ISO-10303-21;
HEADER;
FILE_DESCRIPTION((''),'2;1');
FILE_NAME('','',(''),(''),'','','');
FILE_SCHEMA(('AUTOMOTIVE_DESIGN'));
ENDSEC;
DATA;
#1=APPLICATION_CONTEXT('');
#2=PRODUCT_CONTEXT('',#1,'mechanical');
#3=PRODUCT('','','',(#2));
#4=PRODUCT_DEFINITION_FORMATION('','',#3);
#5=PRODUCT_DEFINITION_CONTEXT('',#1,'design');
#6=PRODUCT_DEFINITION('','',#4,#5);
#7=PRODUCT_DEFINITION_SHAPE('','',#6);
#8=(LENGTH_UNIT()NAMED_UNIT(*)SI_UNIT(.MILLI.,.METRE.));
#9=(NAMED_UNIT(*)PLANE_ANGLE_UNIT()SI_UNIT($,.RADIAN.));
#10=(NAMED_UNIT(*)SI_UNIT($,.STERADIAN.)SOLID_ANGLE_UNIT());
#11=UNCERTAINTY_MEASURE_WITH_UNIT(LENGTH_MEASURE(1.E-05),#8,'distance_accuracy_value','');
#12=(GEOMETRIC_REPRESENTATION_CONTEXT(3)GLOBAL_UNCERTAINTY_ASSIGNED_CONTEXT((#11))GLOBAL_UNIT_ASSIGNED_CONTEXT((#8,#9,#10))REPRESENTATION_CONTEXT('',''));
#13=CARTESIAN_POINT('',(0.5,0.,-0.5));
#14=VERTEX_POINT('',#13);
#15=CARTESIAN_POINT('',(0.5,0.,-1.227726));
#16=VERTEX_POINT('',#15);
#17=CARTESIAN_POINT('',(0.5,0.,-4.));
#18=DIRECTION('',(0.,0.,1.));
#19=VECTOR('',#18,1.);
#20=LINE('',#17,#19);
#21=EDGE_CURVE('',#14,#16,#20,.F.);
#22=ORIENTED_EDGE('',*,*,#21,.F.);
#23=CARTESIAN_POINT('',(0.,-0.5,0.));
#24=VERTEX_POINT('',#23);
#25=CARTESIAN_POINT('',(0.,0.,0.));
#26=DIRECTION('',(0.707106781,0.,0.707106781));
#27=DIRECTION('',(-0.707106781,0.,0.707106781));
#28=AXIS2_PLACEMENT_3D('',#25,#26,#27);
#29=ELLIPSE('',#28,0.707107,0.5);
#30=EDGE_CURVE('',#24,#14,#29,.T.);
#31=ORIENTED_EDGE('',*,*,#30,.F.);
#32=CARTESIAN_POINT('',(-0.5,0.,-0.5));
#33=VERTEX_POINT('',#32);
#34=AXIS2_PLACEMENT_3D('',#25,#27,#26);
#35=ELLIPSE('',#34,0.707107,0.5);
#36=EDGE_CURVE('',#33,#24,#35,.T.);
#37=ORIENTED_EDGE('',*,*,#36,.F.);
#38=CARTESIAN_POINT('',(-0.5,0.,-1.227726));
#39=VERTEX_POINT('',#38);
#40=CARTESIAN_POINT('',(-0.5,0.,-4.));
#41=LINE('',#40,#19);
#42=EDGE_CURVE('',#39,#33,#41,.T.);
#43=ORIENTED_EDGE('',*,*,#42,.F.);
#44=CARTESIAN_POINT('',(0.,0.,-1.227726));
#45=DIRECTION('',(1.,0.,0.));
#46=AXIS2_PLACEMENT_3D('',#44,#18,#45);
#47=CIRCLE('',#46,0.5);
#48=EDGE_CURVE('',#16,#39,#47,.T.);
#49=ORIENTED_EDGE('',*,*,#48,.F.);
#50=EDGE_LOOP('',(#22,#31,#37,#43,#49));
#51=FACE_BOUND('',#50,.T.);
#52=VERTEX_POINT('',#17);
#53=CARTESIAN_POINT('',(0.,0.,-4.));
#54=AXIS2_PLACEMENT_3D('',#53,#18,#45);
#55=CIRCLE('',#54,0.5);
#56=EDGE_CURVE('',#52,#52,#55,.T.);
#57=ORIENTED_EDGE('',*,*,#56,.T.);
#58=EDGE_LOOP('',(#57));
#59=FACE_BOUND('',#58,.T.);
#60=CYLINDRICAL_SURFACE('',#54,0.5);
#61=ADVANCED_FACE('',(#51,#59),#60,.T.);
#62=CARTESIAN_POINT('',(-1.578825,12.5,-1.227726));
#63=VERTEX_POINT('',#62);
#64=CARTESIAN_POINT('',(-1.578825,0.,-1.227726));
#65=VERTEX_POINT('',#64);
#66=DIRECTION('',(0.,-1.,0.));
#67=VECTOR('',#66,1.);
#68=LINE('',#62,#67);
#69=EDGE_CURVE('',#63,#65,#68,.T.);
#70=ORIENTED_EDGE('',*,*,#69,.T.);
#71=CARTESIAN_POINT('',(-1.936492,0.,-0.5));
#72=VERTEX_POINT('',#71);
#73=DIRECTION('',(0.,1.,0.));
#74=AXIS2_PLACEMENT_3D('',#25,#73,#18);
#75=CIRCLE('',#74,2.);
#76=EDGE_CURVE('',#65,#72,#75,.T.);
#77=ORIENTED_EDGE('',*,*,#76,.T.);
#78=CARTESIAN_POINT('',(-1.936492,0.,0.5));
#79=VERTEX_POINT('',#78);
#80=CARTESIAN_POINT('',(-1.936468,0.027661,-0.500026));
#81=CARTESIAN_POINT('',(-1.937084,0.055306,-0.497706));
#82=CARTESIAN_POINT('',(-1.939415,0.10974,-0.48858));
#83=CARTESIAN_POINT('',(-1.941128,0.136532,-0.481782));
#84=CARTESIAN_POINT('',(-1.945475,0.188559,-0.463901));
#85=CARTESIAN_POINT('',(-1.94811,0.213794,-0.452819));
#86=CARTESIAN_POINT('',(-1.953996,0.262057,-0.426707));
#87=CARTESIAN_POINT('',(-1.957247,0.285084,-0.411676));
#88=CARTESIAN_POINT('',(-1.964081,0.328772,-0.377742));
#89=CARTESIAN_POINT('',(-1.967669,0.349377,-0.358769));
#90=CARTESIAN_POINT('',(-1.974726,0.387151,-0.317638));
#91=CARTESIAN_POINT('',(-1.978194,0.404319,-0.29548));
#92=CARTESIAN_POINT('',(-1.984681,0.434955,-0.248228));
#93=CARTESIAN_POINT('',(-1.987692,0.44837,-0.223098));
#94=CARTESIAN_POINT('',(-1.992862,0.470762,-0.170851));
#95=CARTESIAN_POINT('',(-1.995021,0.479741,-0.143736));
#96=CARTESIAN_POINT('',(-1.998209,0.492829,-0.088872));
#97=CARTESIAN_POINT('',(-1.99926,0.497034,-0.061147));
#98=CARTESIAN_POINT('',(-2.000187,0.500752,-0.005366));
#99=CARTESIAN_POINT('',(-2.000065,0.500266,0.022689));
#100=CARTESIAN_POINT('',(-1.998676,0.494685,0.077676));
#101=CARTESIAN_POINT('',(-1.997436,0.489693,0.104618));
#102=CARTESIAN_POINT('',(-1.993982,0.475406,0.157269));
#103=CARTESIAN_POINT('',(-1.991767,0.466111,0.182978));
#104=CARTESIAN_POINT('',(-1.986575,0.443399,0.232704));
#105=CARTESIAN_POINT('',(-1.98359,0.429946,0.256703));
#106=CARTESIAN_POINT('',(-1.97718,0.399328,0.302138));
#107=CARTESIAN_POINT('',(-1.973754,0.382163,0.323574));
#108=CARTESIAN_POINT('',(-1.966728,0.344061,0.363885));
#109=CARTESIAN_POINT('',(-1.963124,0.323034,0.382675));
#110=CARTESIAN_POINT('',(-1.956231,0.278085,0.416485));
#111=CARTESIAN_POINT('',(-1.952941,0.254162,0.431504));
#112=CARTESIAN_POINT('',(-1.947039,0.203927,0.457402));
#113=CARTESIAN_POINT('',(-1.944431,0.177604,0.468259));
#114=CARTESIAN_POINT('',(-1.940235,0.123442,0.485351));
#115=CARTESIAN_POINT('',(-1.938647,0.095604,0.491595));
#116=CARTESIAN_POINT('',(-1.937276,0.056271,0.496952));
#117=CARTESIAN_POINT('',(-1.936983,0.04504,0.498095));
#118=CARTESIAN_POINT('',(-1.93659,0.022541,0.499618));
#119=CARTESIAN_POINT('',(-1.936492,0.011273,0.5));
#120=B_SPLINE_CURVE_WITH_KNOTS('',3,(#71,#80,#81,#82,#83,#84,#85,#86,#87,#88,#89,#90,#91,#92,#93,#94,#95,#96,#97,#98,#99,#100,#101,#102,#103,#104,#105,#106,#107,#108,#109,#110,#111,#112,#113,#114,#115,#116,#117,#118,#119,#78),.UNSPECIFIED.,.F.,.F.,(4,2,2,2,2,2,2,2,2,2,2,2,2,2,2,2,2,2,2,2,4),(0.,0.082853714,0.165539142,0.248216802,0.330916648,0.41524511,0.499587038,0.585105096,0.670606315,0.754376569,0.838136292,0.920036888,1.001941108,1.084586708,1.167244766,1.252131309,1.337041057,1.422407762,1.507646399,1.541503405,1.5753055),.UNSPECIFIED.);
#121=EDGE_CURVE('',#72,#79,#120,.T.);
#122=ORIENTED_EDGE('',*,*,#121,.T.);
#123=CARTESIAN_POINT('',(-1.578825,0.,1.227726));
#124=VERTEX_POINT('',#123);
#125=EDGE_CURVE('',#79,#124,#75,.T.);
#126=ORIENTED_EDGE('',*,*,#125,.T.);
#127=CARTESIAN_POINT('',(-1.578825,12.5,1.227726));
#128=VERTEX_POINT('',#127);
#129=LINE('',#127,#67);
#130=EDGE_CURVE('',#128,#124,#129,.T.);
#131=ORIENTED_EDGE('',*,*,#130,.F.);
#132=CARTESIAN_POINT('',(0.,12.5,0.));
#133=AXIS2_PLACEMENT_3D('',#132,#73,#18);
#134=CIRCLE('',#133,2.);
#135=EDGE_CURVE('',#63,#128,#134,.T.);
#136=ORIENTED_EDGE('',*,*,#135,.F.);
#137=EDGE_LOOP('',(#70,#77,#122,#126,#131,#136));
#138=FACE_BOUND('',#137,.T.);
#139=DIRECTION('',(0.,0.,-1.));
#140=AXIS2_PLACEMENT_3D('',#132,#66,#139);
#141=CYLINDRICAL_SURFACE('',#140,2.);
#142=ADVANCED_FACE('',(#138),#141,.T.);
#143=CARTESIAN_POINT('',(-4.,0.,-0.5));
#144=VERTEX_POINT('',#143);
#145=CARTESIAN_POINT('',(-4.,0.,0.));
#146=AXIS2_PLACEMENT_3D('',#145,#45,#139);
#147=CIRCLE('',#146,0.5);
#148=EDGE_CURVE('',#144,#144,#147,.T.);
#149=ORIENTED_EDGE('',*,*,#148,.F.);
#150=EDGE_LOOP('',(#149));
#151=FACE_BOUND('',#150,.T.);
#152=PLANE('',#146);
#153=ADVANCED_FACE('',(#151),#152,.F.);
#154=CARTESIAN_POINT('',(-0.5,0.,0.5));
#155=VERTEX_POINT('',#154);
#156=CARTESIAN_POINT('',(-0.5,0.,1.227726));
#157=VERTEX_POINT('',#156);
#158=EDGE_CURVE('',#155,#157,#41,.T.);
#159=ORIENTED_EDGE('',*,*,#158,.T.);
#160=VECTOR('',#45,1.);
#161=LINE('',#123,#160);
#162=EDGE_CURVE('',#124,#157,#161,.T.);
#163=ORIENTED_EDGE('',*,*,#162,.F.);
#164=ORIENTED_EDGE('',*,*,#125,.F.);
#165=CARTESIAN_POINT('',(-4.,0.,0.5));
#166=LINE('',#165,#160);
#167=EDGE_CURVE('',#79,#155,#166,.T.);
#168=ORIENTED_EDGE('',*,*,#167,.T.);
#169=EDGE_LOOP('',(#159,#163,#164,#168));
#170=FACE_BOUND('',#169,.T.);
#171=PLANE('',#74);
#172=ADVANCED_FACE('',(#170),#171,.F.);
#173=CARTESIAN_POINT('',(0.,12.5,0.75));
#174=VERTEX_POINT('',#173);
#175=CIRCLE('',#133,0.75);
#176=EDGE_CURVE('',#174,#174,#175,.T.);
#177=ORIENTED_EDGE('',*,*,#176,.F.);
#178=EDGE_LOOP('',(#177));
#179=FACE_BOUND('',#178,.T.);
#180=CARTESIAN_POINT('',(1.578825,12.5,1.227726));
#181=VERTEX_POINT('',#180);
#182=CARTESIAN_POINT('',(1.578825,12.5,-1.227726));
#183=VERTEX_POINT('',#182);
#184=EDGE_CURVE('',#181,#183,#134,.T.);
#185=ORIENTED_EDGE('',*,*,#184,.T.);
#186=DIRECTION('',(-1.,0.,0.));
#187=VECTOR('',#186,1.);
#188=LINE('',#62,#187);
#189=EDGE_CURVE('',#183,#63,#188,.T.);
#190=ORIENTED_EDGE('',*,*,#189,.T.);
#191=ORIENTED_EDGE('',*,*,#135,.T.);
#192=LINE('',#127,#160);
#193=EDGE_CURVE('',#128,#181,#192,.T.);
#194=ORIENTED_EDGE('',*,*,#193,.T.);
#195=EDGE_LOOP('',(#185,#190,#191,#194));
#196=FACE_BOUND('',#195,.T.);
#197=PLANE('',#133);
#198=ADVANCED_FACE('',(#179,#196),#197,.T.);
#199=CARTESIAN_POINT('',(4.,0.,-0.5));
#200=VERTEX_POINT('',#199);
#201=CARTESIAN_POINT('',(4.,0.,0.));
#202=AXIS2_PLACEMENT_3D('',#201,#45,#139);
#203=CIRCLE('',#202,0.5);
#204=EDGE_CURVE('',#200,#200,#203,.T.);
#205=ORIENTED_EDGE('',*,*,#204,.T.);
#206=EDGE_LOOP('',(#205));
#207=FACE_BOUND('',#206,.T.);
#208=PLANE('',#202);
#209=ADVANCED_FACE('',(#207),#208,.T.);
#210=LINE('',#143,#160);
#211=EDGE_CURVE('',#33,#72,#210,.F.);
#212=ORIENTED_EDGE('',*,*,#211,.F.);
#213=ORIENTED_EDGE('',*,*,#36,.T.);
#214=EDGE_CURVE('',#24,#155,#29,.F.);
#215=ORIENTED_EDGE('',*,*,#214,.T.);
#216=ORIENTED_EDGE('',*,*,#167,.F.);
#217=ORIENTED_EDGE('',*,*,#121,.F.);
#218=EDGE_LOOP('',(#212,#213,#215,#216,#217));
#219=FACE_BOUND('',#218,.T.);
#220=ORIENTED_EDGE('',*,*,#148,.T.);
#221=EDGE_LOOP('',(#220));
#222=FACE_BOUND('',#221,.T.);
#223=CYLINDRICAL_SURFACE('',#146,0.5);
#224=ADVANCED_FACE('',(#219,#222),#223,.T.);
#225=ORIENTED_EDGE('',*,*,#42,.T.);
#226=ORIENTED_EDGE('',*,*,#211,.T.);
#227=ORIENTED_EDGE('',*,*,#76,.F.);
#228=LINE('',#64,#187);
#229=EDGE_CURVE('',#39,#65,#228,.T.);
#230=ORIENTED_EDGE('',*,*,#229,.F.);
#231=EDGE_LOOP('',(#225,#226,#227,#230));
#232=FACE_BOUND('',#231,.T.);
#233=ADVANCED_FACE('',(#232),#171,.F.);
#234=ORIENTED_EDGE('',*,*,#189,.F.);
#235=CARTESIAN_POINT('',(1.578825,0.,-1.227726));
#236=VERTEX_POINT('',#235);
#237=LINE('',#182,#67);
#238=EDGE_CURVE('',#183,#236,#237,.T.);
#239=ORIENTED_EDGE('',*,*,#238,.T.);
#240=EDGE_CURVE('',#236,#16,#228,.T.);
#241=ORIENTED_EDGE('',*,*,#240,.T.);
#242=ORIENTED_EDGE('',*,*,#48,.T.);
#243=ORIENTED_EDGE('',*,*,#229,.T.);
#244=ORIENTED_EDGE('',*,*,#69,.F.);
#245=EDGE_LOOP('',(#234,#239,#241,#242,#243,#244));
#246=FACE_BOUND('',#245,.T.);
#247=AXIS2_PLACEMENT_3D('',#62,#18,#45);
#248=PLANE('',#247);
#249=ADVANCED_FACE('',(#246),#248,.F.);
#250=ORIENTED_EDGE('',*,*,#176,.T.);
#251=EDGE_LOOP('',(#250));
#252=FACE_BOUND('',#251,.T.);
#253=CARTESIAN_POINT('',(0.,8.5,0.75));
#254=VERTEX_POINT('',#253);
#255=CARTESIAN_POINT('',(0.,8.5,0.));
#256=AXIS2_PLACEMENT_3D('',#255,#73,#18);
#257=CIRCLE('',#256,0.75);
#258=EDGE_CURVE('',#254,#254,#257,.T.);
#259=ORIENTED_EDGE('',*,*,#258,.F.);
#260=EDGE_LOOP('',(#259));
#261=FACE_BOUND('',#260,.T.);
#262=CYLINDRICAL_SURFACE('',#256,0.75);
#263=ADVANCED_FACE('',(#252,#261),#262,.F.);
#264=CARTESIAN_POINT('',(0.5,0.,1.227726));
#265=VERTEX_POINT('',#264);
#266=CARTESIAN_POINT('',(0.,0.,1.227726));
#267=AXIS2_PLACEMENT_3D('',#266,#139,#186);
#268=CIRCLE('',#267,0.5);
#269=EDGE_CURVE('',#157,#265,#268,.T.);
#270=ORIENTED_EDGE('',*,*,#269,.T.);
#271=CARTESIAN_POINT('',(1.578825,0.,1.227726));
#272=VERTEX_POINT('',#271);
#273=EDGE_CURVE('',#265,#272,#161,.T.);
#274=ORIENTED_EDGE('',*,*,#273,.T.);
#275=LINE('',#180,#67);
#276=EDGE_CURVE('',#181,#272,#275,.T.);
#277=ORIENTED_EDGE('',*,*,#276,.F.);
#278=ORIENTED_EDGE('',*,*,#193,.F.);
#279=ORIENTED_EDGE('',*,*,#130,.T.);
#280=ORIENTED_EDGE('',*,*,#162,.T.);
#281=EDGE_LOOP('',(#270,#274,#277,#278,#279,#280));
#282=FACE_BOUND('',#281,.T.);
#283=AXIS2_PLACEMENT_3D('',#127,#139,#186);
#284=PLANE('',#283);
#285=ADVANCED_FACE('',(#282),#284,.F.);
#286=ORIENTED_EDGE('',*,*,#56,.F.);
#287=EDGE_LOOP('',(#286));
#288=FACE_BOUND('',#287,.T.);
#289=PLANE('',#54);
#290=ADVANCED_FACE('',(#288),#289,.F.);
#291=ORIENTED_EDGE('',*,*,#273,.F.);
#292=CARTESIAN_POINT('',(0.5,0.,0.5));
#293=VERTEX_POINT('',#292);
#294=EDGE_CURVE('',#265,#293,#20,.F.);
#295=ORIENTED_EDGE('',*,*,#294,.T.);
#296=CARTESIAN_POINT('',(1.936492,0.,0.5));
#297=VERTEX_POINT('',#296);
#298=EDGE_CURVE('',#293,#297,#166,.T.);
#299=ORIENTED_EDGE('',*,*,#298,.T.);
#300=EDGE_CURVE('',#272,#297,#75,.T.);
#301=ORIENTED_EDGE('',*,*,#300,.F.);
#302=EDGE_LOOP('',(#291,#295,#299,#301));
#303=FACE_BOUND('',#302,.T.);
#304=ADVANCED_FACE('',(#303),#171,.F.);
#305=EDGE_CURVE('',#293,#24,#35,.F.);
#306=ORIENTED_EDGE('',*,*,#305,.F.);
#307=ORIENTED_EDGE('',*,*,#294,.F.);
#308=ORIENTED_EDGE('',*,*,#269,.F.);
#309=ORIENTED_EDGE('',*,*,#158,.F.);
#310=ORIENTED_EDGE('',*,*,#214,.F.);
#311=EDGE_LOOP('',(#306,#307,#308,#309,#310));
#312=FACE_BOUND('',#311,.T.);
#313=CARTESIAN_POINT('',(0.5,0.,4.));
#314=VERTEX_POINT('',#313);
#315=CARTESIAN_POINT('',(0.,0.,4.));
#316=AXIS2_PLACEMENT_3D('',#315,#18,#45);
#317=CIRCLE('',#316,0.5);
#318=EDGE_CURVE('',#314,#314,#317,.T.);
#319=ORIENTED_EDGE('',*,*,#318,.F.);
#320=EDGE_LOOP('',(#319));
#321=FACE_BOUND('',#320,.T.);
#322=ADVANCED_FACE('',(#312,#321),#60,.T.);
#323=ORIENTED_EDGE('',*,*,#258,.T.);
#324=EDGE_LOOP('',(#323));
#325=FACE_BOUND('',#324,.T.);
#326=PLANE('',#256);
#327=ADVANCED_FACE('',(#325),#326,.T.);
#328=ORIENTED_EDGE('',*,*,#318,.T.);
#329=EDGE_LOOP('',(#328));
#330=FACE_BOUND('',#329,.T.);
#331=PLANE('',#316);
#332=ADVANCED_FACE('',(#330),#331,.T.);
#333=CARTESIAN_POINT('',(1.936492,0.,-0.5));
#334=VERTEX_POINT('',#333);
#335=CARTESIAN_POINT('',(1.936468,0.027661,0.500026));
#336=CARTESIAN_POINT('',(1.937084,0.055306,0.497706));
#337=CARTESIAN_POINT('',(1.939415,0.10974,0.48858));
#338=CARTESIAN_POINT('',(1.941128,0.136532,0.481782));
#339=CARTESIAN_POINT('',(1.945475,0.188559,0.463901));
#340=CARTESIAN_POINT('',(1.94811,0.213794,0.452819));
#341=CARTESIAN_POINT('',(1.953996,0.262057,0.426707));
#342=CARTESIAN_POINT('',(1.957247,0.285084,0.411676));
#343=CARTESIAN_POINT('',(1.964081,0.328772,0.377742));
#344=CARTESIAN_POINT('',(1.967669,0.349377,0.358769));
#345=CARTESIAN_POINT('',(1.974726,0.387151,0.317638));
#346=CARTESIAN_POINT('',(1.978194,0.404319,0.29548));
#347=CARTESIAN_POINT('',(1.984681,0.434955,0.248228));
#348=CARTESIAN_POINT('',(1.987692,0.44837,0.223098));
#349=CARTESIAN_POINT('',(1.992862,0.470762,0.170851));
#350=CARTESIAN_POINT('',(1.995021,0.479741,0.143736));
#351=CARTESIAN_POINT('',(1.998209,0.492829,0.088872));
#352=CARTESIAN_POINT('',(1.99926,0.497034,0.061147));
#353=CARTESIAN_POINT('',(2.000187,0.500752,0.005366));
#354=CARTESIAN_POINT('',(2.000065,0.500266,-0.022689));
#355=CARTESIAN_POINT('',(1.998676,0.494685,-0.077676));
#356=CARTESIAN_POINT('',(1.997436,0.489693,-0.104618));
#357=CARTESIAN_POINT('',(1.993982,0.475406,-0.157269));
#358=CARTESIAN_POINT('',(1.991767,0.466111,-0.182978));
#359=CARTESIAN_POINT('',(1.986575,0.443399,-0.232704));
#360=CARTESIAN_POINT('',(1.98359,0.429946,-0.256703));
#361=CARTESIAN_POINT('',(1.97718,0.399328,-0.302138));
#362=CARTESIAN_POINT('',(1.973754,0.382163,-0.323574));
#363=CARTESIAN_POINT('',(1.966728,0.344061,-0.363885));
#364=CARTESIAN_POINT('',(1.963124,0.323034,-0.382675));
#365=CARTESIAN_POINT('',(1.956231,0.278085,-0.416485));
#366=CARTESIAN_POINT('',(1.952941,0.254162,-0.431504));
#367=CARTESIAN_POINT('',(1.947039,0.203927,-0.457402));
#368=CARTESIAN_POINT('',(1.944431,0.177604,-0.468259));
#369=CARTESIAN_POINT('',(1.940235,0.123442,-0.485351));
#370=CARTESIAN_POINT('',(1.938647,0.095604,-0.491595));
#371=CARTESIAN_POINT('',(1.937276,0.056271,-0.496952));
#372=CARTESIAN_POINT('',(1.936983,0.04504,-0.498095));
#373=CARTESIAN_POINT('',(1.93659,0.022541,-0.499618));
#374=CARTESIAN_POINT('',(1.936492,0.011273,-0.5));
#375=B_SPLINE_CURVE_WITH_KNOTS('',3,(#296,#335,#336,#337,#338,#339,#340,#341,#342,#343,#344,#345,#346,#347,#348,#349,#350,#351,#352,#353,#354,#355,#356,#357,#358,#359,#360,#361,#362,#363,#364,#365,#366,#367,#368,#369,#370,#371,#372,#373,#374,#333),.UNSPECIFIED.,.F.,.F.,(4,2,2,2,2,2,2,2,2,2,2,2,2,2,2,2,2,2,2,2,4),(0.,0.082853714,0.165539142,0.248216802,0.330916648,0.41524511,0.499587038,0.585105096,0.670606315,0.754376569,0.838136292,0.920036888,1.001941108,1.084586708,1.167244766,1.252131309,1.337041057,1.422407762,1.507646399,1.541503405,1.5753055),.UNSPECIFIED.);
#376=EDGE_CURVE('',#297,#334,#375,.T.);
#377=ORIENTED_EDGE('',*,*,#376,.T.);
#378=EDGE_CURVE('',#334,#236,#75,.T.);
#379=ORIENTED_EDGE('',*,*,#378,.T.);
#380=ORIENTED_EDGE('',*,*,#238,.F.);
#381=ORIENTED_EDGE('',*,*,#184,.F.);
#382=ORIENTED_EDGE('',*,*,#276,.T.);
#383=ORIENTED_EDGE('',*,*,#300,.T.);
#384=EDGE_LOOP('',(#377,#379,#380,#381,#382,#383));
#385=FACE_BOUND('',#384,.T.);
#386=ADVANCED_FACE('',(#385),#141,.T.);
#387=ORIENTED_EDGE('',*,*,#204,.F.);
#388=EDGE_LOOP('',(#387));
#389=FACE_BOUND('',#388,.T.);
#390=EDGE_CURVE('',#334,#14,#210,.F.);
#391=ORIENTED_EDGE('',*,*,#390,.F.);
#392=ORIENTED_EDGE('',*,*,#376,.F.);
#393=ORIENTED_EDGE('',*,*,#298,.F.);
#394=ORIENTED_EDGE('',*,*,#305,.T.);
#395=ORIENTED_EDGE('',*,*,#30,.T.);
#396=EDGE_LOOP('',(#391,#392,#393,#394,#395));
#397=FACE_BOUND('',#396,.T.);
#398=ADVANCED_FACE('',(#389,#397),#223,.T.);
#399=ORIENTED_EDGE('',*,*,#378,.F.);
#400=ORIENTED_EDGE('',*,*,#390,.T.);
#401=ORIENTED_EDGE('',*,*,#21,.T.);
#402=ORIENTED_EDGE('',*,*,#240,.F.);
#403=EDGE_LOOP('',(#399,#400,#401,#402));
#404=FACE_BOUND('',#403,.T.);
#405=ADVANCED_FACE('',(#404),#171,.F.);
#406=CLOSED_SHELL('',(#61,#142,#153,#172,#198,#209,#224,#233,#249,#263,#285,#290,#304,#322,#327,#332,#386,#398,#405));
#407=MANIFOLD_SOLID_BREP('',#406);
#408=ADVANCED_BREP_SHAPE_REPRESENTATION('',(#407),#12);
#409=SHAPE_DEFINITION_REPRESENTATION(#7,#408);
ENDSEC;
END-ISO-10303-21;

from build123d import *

# Parameters (mm, degrees)
BOSS_EXTRUDE1_DEPTH      = 12.5
SKETCH2_R                = 0.75
CUT_EXTRUDE1_DEPTH       = 4
BOSS_EXTRUDE2_DEPTH      = 4
BOSS_EXTRUDE2_DEPTH_BACK = 4
SKETCH3_R                = 0.5
BOSS_EXTRUDE3_DEPTH      = 4
BOSS_EXTRUDE3_DEPTH_BACK = 4
SKETCH4_R                = 0.5


with BuildPart() as part:
    # Sketch1 → Boss-Extrude1 (new body)
    with BuildSketch(Plane(origin=(0, 0, 0), x_dir=(1, 0, 0), z_dir=(0, 1, 0))):
        with BuildLine():
            Line((-1.578824879, 1.227726355), (1.578824879, 1.227726355))
            ThreePointArc((1.578824879, 1.227726355), (2, 0), (1.578824879, -1.227726355))
            Line((1.578824879, -1.227726355), (-1.578824879, -1.227726355))
            ThreePointArc((-1.578824879, -1.227726355), (-2, 0), (-1.578824879, 1.227726355))
        make_face()
    extrude(amount=BOSS_EXTRUDE1_DEPTH)

    # Sketch2 → Cut-Extrude1 (cut)
    with BuildSketch(Plane(origin=(0, 12.5, 0), x_dir=(1, 0, 0), z_dir=(0, 1, 0))):
        Circle(SKETCH2_R)
    extrude(amount=-CUT_EXTRUDE1_DEPTH, mode=Mode.SUBTRACT)

    # Sketch3 → Boss-Extrude2 (add, two sides: drawn at the far end of the back side and taken through both)
    with BuildSketch(Plane.XY.offset(-BOSS_EXTRUDE2_DEPTH_BACK)):
        Circle(SKETCH3_R)
    extrude(amount=BOSS_EXTRUDE2_DEPTH + BOSS_EXTRUDE2_DEPTH_BACK)

    # Sketch4 → Boss-Extrude3 (add, two sides: drawn at the far end of the back side and taken through both)
    with BuildSketch(Plane(origin=(0, 0, 0), x_dir=(0, 0, -1), z_dir=(1, 0, 0)).offset(-BOSS_EXTRUDE3_DEPTH_BACK)):
        Circle(SKETCH4_R)
    extrude(amount=BOSS_EXTRUDE3_DEPTH + BOSS_EXTRUDE3_DEPTH_BACK)


solid = part.part
